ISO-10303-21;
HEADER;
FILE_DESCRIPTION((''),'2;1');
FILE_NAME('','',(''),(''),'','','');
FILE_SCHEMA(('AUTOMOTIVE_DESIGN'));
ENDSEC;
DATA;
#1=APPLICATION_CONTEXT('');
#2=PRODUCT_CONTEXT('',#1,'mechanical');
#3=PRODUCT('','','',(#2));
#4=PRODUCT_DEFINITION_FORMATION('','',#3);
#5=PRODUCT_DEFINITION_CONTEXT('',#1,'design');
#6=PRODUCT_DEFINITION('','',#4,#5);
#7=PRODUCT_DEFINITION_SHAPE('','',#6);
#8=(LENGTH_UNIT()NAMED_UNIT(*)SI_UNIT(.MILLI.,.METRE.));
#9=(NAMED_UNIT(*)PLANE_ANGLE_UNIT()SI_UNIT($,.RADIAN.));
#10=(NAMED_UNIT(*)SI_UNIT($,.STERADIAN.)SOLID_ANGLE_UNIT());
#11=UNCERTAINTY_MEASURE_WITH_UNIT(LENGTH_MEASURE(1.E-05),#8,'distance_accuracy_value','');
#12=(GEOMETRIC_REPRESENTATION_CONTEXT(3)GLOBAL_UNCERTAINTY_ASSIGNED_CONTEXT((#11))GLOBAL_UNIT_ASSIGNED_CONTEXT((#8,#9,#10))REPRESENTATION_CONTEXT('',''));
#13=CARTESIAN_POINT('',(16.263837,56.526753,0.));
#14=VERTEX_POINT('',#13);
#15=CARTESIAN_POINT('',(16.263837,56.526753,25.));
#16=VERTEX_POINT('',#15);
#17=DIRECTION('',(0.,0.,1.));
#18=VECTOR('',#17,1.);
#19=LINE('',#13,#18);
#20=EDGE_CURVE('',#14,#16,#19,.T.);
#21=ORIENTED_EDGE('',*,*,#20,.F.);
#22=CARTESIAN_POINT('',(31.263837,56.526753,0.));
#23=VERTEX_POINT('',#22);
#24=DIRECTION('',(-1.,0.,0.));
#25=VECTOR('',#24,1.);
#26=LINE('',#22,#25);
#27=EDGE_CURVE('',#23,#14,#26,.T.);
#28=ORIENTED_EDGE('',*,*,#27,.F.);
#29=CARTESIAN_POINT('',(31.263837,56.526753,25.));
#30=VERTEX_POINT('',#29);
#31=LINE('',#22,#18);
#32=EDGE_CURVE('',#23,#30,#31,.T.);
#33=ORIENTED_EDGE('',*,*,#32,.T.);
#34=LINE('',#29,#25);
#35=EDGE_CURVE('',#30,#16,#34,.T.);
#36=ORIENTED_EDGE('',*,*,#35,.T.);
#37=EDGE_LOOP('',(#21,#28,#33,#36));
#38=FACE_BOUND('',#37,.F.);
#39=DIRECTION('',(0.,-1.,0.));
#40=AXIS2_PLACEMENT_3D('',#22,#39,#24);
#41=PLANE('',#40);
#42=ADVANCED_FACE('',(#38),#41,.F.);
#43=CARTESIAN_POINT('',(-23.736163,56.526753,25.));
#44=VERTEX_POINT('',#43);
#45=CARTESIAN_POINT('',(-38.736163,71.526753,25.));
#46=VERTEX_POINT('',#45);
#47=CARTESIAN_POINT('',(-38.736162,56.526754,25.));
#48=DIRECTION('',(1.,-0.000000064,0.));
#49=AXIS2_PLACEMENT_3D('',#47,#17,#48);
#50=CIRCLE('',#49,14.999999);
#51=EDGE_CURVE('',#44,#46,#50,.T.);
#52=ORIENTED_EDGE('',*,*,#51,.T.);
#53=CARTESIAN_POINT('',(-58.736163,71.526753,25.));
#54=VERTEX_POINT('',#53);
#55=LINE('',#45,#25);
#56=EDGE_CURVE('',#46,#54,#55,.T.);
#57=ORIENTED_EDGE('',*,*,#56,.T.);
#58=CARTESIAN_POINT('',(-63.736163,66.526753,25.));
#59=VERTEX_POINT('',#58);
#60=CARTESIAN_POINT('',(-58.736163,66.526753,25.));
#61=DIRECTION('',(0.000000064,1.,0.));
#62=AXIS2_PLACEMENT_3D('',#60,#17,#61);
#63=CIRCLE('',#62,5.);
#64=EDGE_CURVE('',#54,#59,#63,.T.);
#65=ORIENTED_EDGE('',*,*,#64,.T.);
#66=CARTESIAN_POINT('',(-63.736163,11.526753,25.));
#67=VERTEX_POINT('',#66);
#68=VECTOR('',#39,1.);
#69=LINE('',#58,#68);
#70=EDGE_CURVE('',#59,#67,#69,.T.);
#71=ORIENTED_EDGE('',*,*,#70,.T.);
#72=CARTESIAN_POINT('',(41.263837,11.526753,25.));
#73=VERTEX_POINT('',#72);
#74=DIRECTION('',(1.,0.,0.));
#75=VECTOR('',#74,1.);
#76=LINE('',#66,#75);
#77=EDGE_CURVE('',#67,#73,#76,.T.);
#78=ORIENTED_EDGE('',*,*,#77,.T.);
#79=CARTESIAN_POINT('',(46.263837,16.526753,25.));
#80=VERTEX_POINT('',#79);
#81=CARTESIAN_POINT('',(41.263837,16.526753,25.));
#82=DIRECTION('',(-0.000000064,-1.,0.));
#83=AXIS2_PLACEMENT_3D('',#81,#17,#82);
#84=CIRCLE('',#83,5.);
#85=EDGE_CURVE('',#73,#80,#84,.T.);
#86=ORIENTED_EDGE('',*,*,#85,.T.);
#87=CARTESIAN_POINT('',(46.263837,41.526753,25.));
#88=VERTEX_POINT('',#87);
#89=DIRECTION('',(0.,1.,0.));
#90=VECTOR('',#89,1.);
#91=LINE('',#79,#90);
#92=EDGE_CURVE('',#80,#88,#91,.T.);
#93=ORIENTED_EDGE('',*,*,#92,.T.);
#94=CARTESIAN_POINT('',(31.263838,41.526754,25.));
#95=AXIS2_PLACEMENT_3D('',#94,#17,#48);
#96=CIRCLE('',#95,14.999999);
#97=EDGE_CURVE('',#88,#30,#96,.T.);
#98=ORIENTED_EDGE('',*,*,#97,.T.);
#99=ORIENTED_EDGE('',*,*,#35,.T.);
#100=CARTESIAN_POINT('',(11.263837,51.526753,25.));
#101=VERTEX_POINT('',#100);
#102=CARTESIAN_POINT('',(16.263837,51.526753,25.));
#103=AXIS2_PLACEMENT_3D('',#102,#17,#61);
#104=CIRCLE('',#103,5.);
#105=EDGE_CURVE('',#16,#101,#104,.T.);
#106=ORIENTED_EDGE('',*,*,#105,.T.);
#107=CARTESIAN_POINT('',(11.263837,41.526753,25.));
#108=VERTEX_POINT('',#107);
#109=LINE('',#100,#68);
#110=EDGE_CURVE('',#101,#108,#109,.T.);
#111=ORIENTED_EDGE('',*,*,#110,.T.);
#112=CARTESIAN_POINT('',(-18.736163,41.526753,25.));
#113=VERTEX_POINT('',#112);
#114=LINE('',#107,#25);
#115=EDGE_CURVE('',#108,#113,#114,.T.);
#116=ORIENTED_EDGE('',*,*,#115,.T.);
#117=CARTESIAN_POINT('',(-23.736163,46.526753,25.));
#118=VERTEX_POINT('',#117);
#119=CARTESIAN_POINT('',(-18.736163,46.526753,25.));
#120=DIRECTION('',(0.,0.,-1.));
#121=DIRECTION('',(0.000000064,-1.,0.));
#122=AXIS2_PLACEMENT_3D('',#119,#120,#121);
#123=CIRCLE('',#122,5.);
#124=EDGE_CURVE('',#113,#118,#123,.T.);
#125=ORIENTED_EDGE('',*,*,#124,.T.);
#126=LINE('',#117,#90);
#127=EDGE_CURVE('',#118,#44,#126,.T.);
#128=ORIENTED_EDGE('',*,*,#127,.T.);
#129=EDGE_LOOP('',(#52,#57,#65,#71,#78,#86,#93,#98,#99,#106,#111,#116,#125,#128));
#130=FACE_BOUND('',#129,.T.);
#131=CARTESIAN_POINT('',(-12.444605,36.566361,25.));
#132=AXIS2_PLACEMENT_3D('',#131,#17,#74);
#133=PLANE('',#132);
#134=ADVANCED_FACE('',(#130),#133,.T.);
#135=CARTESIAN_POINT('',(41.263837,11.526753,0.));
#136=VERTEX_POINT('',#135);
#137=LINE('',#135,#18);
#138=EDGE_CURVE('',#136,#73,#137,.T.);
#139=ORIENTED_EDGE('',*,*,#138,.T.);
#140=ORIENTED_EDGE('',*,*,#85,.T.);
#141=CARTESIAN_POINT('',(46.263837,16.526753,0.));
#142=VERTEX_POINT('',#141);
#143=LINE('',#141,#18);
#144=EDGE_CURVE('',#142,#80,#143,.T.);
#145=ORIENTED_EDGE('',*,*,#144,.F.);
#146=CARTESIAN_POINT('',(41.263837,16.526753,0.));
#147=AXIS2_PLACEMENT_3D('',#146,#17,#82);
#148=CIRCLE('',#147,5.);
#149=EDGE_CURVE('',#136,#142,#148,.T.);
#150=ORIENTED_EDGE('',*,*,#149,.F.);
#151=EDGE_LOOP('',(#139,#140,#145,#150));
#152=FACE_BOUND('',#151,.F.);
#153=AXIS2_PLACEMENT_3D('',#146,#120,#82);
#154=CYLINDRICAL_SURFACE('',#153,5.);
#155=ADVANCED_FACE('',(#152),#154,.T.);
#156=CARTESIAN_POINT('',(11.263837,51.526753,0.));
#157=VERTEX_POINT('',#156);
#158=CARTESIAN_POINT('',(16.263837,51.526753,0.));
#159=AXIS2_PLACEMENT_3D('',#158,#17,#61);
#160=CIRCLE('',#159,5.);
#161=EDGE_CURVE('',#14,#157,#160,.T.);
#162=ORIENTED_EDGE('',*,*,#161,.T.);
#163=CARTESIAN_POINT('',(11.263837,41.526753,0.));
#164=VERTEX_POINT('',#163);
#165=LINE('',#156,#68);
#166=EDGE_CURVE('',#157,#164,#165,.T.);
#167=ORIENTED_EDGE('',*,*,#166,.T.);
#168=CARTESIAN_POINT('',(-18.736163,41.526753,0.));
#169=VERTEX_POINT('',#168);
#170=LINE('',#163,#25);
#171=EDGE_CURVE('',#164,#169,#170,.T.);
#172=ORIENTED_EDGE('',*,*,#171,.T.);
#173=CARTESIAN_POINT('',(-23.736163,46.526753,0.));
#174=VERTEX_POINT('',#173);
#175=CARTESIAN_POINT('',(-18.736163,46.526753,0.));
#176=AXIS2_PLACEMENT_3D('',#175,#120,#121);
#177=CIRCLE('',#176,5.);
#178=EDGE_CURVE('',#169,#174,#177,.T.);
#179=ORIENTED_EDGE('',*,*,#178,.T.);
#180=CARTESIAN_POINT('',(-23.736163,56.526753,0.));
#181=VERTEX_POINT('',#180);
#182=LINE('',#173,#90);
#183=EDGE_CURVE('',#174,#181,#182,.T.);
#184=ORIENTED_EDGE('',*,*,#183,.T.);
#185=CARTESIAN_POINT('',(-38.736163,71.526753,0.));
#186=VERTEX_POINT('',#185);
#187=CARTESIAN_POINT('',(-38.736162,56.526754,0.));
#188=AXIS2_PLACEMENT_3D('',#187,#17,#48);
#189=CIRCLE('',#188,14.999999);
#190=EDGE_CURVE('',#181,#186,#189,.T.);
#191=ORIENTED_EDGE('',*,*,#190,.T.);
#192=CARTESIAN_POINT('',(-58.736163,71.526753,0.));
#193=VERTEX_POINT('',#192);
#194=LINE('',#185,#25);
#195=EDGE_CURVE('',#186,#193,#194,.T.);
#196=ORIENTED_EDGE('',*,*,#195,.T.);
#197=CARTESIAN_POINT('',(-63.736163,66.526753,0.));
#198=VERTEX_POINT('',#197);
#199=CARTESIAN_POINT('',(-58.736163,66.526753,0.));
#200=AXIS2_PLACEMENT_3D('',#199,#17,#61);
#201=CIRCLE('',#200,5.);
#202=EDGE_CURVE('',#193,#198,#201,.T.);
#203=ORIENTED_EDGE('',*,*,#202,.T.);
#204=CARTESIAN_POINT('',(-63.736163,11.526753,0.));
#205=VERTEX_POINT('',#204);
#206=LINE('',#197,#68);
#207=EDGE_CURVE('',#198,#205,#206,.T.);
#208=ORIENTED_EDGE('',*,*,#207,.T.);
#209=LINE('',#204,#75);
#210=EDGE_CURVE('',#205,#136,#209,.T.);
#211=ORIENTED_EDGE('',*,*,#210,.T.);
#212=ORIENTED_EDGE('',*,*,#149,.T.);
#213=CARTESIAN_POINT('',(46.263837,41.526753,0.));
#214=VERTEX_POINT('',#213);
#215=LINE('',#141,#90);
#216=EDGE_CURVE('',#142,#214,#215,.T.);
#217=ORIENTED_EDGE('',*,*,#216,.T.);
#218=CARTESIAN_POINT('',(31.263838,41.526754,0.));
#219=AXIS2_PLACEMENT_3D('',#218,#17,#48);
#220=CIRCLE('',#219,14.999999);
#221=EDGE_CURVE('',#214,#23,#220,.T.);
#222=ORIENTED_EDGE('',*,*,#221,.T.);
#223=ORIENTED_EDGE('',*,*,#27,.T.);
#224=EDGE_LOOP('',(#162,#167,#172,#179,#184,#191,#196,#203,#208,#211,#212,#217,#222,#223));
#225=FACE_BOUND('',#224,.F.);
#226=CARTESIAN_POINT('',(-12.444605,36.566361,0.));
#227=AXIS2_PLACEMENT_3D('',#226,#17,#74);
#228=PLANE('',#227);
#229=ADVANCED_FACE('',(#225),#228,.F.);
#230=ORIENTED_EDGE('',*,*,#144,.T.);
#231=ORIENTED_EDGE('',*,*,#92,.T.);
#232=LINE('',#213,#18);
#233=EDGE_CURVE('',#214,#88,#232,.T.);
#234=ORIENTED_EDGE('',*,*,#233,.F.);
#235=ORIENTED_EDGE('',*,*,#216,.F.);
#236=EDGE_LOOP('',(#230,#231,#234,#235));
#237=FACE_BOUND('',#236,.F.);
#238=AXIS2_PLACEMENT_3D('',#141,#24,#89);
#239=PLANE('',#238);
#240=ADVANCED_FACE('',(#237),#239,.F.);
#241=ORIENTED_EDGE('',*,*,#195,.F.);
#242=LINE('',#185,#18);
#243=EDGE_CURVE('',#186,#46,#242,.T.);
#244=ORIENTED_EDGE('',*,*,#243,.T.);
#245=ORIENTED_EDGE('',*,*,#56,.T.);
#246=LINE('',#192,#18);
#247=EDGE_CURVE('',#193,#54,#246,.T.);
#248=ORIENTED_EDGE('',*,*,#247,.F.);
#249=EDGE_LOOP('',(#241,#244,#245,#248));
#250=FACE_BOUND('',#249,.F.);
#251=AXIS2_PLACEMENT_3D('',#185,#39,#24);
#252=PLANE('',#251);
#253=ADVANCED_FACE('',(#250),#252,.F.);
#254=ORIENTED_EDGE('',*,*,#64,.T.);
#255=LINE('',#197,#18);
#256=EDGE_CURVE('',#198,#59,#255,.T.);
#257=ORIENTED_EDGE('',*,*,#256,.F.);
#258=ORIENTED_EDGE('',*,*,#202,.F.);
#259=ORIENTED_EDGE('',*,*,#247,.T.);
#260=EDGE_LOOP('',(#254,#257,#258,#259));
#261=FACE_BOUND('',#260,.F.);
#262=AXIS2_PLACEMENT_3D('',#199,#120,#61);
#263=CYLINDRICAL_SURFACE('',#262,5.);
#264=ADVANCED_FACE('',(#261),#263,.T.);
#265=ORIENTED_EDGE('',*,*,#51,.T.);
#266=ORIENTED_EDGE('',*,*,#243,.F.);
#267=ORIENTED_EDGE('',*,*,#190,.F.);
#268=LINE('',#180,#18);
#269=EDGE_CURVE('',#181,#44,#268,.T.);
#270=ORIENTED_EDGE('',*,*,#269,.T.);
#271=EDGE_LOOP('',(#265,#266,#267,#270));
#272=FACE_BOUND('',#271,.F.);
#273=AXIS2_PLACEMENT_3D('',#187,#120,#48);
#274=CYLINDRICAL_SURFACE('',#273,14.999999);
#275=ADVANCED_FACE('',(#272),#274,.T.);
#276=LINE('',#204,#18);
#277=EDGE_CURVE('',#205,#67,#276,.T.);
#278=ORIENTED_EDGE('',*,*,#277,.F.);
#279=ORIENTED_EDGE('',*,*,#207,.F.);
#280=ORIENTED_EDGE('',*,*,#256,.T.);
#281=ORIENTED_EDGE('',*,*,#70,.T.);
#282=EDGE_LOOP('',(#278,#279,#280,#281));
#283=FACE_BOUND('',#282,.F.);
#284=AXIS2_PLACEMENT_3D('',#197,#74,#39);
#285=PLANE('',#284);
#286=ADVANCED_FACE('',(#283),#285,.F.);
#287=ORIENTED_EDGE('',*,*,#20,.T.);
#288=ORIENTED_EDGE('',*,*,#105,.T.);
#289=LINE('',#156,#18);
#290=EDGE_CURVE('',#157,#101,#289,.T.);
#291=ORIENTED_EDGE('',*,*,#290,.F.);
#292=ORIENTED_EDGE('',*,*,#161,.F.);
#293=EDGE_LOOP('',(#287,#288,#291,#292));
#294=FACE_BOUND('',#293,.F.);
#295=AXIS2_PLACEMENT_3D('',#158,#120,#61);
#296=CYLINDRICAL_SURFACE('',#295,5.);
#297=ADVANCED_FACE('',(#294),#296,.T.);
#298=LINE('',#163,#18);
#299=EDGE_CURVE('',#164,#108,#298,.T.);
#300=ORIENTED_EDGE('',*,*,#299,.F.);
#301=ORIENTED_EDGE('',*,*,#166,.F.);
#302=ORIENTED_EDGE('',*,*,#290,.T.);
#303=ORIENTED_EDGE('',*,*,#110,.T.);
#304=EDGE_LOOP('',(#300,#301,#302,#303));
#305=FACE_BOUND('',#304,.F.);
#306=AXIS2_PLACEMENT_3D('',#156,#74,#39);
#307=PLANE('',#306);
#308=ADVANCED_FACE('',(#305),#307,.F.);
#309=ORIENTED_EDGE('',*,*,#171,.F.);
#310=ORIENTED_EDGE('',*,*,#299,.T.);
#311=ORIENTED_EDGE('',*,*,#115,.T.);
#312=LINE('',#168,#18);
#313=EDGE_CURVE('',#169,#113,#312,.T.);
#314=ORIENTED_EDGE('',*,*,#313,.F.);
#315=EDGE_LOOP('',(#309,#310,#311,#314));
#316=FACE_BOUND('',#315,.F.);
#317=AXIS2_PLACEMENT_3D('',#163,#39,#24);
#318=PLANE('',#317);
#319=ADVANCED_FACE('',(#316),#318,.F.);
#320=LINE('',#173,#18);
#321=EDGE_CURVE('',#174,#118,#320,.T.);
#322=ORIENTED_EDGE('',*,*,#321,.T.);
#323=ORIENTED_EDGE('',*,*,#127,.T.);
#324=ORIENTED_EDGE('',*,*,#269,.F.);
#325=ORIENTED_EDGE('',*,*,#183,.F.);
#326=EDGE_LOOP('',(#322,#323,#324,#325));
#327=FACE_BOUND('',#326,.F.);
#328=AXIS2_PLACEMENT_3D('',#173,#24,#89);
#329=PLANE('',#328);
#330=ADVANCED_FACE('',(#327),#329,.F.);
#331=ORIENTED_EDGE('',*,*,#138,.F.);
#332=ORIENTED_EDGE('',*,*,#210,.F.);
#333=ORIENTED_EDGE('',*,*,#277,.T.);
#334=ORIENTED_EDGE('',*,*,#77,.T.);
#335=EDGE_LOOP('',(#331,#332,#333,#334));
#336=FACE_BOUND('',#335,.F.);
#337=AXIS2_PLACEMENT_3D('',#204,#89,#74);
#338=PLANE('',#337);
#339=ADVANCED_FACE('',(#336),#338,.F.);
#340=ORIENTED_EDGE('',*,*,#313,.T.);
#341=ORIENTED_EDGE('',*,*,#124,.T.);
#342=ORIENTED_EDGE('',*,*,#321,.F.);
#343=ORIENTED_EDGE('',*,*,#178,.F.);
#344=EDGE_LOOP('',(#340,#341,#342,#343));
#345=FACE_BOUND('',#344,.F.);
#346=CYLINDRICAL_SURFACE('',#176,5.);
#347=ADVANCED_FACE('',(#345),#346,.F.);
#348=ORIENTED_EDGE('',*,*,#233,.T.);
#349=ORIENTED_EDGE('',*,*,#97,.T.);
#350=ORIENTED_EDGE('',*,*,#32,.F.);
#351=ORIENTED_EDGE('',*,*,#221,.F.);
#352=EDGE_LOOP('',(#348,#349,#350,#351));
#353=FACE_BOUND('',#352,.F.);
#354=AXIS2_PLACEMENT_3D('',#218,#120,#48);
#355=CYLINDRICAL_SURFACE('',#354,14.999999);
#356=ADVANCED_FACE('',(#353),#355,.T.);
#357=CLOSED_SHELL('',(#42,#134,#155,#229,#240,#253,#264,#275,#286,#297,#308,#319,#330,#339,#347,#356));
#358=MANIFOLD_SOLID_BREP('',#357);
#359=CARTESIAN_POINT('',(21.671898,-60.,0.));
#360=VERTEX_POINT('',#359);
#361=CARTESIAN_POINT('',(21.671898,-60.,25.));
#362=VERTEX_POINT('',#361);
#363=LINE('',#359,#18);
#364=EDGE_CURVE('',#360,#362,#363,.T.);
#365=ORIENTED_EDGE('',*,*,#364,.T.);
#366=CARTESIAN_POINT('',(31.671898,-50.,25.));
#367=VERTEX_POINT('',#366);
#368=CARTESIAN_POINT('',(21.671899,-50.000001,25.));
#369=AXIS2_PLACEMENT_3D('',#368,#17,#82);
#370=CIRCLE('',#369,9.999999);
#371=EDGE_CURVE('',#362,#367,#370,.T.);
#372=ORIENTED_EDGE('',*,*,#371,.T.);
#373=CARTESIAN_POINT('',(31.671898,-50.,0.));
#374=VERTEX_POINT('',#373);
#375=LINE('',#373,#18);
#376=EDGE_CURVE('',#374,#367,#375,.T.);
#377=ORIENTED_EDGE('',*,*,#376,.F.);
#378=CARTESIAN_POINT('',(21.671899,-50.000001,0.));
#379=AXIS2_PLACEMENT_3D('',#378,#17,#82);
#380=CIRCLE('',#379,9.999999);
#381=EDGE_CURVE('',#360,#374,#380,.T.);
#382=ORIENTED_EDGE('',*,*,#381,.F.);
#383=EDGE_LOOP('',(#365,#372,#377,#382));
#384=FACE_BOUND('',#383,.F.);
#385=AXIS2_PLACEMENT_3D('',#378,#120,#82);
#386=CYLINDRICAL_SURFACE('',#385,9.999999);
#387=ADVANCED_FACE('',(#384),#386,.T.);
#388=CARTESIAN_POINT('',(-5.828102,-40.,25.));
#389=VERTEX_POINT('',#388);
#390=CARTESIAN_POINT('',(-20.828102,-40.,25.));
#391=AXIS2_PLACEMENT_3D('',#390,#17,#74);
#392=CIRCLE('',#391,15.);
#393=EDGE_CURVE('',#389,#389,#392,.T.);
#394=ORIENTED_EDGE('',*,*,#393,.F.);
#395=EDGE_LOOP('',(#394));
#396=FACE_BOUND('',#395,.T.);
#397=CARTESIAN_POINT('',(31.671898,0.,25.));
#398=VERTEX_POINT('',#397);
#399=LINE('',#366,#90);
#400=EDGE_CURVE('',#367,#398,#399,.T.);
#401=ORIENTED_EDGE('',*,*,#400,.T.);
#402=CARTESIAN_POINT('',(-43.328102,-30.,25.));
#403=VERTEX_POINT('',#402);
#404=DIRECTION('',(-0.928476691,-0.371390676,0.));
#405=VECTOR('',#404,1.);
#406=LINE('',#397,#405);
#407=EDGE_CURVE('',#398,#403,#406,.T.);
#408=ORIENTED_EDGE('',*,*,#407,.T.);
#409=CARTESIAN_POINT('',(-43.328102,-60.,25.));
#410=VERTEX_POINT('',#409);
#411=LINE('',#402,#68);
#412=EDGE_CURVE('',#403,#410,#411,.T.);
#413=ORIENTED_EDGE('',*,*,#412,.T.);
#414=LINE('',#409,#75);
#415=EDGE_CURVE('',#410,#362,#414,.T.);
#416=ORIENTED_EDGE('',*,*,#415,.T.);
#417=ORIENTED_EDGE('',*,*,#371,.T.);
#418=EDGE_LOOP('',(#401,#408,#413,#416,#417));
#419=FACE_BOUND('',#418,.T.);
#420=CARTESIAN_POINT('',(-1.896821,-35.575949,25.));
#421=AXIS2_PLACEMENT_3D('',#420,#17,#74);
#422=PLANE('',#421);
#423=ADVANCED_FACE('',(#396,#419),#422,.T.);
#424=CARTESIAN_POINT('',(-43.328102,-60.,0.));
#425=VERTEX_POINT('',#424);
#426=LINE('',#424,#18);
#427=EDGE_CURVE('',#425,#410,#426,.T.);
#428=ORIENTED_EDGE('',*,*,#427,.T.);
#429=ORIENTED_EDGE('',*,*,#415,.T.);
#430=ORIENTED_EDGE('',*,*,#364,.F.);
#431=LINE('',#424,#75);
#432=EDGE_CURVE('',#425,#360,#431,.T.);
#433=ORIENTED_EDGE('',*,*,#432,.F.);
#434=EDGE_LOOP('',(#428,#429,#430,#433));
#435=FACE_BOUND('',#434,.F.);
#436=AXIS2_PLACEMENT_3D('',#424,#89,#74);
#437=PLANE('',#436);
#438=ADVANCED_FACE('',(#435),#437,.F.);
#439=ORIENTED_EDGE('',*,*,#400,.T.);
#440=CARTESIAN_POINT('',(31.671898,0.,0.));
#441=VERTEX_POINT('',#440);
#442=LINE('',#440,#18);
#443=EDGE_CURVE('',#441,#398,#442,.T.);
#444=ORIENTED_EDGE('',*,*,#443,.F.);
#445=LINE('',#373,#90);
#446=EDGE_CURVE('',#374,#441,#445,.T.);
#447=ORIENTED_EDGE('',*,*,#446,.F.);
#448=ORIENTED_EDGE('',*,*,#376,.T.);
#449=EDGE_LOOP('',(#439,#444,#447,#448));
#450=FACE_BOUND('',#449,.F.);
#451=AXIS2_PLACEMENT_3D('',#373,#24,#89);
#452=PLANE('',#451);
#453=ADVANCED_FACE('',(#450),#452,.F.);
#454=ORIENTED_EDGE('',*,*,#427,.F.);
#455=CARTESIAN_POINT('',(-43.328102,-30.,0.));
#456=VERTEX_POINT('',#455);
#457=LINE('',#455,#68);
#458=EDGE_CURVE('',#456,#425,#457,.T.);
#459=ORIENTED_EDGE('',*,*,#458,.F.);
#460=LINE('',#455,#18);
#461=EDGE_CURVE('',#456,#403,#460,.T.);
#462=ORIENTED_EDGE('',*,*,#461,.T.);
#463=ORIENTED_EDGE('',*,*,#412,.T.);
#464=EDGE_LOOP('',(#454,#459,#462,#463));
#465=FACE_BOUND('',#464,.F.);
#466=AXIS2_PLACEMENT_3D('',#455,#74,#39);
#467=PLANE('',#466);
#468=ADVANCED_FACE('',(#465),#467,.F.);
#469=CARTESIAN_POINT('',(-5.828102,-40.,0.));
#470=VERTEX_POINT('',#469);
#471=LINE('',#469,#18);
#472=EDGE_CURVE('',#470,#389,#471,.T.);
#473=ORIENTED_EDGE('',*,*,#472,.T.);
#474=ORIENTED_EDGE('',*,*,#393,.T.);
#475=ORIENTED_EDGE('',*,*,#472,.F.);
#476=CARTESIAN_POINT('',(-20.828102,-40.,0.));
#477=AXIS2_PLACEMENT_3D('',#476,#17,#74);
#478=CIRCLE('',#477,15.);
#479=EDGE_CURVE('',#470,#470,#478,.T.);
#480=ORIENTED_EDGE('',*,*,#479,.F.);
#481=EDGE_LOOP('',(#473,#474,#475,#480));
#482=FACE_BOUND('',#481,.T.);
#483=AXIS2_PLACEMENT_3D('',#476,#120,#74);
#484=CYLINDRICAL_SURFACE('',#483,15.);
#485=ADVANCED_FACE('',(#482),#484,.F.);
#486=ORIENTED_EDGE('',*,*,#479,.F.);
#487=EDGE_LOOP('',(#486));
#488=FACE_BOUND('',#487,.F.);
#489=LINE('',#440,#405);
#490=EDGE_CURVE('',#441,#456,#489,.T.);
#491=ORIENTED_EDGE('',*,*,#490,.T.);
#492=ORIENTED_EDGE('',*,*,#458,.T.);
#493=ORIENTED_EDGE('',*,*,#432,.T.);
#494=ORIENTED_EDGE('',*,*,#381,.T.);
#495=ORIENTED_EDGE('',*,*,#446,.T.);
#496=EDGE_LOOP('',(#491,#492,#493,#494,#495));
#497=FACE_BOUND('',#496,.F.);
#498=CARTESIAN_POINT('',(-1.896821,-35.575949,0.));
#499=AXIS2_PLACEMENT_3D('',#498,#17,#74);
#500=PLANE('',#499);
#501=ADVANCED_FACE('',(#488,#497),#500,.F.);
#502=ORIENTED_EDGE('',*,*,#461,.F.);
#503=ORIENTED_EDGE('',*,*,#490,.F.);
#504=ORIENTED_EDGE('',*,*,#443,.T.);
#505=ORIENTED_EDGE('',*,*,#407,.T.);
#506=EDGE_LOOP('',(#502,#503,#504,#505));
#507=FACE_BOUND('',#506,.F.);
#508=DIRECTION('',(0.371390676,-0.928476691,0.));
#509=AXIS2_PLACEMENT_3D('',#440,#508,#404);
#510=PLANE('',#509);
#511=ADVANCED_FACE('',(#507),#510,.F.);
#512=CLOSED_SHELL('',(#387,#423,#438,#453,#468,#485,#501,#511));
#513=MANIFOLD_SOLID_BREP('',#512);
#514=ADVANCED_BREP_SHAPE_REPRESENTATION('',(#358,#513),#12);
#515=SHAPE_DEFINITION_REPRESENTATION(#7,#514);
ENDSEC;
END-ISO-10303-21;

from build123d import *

# Parameters (mm, degrees)
F0_R     = 15
F1_DEPTH = 25


with BuildPart() as f1:
    # F0 (on Top) → F1 (new body)
    with BuildSketch(Plane.XY):
        with BuildLine():
            Line((-43.328102, -30), (-43.328102, -60))
            Line((-43.328102, -60), (21.671898, -60))
            ThreePointArc((21.671898, -60), (28.742966, -57.071068), (31.671898, -50))
            Line((31.671898, -50), (31.671898, 0))
            Line((31.671898, 0), (-43.328102, -30))
        make_face()
        with Locations((-20.828102, -40)):
            Circle(F0_R, mode=Mode.SUBTRACT)
        with BuildLine():
            Line((-63.736163, 66.526753), (-63.736163, 11.526753))
            Line((-63.736163, 11.526753), (41.263837, 11.526753))
            ThreePointArc((41.263837, 11.526753), (44.799371, 12.991219), (46.263837, 16.526753))
            Line((46.263837, 16.526753), (46.263837, 41.526753))
            ThreePointArc((46.263837, 41.526753), (41.870439, 52.133355), (31.263837, 56.526753))
            Line((31.263837, 56.526753), (16.263837, 56.526753))
            ThreePointArc((16.263837, 56.526753), (12.728303, 55.062287), (11.263837, 51.526753))
            Line((11.263837, 51.526753), (11.263837, 41.526753))
            Line((11.263837, 41.526753), (-18.736163, 41.526753))
            ThreePointArc((-18.736163, 41.526753), (-22.271697, 42.991219), (-23.736163, 46.526753))
            Line((-23.736163, 46.526753), (-23.736163, 56.526753))
            ThreePointArc((-23.736163, 56.526753), (-28.129561, 67.133355), (-38.736163, 71.526753))
            Line((-38.736163, 71.526753), (-58.736163, 71.526753))
            ThreePointArc((-58.736163, 71.526753), (-62.271697, 70.062287), (-63.736163, 66.526753))
        make_face()
    extrude(amount=F1_DEPTH)


solid = f1.part
